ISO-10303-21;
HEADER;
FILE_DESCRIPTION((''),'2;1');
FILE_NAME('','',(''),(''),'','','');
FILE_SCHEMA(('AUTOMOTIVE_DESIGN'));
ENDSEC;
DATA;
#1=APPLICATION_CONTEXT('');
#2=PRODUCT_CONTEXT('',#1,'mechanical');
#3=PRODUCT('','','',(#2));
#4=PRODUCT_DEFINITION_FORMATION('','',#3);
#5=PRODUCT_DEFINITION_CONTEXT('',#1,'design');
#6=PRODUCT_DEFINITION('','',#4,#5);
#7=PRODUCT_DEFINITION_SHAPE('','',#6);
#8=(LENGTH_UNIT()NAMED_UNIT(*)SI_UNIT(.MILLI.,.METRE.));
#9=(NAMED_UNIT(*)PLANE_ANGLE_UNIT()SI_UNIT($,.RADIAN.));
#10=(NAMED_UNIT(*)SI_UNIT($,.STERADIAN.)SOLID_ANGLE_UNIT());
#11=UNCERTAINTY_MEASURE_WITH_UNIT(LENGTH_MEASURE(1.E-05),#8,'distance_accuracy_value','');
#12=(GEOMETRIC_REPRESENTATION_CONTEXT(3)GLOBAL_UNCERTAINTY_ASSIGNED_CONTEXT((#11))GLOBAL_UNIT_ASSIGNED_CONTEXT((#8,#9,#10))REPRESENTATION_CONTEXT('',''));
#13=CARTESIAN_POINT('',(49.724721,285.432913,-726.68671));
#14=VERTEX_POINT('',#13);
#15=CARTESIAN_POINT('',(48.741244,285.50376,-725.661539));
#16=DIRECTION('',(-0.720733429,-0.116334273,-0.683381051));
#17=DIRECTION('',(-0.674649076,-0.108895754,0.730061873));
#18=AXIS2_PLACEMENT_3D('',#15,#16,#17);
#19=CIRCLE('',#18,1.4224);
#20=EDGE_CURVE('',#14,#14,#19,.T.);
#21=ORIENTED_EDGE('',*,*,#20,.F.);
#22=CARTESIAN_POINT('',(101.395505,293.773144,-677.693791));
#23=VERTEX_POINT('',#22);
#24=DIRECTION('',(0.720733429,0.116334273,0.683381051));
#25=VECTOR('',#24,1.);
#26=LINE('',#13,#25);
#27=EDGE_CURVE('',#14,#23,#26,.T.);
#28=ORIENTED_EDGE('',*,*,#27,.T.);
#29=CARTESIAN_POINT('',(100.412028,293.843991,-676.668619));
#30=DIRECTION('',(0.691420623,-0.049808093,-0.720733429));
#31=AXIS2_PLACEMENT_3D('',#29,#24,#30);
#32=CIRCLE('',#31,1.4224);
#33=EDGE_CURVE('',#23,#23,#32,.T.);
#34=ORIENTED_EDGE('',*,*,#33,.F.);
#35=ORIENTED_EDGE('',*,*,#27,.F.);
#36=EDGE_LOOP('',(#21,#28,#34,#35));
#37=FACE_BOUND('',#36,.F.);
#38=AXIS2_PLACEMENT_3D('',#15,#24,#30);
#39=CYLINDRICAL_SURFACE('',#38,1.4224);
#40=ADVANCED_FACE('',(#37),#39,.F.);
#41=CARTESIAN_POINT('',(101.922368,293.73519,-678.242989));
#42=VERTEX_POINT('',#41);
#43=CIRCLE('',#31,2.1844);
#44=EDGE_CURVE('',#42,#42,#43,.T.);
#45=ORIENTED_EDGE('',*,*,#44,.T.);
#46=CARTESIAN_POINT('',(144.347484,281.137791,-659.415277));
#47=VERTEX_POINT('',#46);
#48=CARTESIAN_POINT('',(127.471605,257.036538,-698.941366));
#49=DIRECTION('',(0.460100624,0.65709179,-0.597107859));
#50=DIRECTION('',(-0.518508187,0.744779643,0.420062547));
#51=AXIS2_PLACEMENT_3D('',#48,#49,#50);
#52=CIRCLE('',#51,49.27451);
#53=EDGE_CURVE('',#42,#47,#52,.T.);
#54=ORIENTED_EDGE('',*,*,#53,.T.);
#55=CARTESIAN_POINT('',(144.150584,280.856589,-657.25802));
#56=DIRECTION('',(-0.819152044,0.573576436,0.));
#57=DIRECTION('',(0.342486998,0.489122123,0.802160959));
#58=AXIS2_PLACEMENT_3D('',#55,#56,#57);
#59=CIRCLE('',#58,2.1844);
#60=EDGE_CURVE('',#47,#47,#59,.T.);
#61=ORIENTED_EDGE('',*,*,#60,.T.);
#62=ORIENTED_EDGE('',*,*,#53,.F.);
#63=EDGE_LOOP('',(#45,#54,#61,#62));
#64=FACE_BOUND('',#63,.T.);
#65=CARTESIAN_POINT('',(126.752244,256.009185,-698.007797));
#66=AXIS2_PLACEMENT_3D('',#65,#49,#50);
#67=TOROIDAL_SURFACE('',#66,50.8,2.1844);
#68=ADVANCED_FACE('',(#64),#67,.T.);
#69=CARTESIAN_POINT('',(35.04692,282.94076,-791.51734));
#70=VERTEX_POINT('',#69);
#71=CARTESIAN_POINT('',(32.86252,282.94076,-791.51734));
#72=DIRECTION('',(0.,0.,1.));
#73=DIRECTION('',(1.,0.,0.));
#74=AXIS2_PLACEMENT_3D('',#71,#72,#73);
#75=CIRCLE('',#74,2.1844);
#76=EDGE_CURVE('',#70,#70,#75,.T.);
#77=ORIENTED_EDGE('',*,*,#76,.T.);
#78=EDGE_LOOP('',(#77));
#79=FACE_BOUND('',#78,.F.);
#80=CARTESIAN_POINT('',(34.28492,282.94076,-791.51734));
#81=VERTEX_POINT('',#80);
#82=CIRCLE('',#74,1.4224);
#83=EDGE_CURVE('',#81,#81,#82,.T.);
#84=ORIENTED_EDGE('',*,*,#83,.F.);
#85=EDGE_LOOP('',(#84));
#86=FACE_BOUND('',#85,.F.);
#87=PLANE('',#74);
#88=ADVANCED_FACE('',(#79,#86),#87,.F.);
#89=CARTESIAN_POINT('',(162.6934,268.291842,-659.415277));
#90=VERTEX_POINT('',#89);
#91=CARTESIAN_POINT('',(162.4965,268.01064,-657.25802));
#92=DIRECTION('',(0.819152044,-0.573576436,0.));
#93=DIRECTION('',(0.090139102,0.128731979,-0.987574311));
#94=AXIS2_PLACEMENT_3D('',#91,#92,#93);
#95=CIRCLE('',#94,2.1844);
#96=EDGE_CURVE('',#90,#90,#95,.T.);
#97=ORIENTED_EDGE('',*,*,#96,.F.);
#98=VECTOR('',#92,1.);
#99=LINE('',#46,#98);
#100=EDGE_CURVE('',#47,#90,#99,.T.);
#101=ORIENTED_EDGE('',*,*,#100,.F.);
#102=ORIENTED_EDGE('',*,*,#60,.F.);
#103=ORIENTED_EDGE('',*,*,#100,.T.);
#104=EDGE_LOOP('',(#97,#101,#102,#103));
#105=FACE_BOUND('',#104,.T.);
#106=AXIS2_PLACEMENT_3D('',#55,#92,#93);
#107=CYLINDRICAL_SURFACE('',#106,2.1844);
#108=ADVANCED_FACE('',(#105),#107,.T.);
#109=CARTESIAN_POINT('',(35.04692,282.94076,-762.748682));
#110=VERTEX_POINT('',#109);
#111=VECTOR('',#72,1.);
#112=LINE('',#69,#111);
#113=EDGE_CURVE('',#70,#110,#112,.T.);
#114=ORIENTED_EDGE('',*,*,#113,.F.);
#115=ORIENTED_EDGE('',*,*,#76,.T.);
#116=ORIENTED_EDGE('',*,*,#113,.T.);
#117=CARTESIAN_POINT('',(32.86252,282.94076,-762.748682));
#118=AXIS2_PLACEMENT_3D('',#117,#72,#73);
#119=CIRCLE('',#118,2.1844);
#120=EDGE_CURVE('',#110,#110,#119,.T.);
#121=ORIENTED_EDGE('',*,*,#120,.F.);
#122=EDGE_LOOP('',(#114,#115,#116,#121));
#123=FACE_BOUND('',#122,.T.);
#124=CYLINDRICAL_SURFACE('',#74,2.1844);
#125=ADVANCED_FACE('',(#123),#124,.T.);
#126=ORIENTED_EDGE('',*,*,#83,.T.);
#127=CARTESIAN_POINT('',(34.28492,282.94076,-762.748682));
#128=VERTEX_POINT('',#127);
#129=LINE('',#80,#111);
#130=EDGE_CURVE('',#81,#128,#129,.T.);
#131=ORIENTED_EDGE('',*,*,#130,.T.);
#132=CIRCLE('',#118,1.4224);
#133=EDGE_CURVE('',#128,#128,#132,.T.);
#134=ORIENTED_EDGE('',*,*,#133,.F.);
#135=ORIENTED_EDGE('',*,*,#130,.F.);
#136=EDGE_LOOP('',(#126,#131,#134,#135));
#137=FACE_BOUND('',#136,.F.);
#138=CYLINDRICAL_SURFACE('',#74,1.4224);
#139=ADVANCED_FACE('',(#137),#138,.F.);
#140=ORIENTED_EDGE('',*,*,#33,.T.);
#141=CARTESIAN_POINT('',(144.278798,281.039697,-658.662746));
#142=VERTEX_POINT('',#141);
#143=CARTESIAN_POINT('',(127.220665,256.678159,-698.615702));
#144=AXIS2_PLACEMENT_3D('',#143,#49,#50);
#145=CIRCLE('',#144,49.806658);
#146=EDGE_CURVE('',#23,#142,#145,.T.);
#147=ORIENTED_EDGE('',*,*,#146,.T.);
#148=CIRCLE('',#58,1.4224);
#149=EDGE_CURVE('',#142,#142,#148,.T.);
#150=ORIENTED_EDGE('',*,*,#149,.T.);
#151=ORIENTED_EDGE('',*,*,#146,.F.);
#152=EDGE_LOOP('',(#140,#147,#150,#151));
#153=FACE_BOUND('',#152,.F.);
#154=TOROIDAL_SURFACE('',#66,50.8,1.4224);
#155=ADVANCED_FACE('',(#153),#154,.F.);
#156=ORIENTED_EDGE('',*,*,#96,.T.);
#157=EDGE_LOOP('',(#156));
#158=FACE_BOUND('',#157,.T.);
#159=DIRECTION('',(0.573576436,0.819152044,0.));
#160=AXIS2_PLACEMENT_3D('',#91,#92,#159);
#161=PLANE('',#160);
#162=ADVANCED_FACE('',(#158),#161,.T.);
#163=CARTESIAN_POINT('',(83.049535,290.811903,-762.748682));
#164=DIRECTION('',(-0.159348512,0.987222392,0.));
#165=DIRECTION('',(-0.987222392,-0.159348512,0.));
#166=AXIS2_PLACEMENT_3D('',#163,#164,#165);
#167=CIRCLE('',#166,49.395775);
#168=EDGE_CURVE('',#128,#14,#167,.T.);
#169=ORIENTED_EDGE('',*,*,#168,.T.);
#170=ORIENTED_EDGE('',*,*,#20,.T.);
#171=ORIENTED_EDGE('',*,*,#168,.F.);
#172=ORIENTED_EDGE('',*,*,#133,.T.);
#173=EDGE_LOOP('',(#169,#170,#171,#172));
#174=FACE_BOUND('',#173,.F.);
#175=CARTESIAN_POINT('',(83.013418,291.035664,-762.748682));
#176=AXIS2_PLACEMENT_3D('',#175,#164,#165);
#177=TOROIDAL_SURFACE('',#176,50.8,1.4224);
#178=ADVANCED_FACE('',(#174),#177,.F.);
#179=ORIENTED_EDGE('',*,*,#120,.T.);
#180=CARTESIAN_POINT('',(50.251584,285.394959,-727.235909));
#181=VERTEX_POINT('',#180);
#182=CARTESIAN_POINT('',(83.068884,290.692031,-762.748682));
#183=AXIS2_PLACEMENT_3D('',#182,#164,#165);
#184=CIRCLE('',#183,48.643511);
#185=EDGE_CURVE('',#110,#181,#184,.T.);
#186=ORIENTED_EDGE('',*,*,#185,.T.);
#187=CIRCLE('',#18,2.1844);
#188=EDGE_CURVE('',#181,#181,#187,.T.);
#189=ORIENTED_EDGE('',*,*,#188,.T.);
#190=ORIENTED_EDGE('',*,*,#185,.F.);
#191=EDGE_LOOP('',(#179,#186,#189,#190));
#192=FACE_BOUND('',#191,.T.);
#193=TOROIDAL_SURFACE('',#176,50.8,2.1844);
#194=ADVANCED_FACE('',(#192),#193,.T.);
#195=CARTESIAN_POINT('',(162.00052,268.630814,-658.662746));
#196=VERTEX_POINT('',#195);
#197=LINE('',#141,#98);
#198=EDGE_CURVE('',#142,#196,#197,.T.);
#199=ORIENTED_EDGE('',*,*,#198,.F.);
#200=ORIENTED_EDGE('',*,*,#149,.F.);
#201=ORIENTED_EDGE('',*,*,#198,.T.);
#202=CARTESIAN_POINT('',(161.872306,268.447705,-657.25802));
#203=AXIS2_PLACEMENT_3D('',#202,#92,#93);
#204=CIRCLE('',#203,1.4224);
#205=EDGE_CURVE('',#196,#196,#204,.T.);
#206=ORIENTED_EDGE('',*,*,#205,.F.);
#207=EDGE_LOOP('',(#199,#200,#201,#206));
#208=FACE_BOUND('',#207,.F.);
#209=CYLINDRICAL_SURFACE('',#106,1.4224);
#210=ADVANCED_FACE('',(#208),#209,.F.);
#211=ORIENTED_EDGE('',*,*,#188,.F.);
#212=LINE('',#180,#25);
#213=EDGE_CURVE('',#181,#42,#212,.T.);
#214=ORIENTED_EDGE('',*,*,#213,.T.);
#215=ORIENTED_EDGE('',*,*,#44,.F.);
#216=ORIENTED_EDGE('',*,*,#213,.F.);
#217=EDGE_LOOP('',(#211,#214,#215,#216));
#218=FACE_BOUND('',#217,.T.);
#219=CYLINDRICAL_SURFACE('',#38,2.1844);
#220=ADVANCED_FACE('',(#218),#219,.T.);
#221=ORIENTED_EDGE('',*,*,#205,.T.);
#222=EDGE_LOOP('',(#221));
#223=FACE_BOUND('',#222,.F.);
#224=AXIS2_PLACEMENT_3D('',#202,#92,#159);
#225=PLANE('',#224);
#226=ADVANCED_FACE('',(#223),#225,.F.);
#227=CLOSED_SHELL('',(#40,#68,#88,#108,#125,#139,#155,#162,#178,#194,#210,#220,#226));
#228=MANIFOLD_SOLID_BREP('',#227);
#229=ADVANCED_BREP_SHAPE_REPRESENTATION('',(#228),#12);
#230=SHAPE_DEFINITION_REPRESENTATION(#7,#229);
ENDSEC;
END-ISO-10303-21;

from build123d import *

# Parameters (mm, degrees)
F6_R  = 2.1844
F19_T = -0.762


with BuildPart() as f18:
    # F18: sweep along a path in F17, F15
    with BuildLine(Plane(origin=(-43.675651977, 270.5866603644, 0), x_dir=(-0.9872223923, -0.1593485118, 0), z_dir=(-0.1593485118, 0.9872223923, 0))) as f18_path:
        Line((-77.5288046302, -791.51734), (-77.5288046302, -762.7486817052))
        ThreePointArc((-77.5288046302, -762.7486817052), (-81.7230084447, -742.536315146), (-93.6130472254, -725.6615385445))
        Line((-93.6130472254, -725.6615385445), (-145.952605517, -676.668619342))
    with BuildLine(Plane(origin=(295.9948145741, 422.72440444, -384.1351665385), x_dir=(-0.8878667779, 0.3405109306, -0.3094267131), z_dir=(0.4601006245, 0.6570917897, -0.597107859))) as f18_path_2:
        ThreePointArc((220.2839333931, -303.1725531038), (196.3863531805, -293.9385533264), (171.0214128625, -297.5414541816))
        Line((171.0214128625, -297.5414541816), (150.3584973451, -306.1806072573))
    # F6 (on line) → F18 (sweep)
    with BuildSketch(Plane.XY.offset(-791.51734)):
        with Locations((32.86252, 282.94076)):
            Circle(F6_R)
    sweep(path=f18_path.line + f18_path_2.line)

    # F19
    f19_openings = [f18.faces().sort_by_distance(p)[0] for p in [
        (32.86252, 282.94076, -791.51734),
    ]]
    offset(amount=F19_T, openings=f19_openings)


solid = f18.part
